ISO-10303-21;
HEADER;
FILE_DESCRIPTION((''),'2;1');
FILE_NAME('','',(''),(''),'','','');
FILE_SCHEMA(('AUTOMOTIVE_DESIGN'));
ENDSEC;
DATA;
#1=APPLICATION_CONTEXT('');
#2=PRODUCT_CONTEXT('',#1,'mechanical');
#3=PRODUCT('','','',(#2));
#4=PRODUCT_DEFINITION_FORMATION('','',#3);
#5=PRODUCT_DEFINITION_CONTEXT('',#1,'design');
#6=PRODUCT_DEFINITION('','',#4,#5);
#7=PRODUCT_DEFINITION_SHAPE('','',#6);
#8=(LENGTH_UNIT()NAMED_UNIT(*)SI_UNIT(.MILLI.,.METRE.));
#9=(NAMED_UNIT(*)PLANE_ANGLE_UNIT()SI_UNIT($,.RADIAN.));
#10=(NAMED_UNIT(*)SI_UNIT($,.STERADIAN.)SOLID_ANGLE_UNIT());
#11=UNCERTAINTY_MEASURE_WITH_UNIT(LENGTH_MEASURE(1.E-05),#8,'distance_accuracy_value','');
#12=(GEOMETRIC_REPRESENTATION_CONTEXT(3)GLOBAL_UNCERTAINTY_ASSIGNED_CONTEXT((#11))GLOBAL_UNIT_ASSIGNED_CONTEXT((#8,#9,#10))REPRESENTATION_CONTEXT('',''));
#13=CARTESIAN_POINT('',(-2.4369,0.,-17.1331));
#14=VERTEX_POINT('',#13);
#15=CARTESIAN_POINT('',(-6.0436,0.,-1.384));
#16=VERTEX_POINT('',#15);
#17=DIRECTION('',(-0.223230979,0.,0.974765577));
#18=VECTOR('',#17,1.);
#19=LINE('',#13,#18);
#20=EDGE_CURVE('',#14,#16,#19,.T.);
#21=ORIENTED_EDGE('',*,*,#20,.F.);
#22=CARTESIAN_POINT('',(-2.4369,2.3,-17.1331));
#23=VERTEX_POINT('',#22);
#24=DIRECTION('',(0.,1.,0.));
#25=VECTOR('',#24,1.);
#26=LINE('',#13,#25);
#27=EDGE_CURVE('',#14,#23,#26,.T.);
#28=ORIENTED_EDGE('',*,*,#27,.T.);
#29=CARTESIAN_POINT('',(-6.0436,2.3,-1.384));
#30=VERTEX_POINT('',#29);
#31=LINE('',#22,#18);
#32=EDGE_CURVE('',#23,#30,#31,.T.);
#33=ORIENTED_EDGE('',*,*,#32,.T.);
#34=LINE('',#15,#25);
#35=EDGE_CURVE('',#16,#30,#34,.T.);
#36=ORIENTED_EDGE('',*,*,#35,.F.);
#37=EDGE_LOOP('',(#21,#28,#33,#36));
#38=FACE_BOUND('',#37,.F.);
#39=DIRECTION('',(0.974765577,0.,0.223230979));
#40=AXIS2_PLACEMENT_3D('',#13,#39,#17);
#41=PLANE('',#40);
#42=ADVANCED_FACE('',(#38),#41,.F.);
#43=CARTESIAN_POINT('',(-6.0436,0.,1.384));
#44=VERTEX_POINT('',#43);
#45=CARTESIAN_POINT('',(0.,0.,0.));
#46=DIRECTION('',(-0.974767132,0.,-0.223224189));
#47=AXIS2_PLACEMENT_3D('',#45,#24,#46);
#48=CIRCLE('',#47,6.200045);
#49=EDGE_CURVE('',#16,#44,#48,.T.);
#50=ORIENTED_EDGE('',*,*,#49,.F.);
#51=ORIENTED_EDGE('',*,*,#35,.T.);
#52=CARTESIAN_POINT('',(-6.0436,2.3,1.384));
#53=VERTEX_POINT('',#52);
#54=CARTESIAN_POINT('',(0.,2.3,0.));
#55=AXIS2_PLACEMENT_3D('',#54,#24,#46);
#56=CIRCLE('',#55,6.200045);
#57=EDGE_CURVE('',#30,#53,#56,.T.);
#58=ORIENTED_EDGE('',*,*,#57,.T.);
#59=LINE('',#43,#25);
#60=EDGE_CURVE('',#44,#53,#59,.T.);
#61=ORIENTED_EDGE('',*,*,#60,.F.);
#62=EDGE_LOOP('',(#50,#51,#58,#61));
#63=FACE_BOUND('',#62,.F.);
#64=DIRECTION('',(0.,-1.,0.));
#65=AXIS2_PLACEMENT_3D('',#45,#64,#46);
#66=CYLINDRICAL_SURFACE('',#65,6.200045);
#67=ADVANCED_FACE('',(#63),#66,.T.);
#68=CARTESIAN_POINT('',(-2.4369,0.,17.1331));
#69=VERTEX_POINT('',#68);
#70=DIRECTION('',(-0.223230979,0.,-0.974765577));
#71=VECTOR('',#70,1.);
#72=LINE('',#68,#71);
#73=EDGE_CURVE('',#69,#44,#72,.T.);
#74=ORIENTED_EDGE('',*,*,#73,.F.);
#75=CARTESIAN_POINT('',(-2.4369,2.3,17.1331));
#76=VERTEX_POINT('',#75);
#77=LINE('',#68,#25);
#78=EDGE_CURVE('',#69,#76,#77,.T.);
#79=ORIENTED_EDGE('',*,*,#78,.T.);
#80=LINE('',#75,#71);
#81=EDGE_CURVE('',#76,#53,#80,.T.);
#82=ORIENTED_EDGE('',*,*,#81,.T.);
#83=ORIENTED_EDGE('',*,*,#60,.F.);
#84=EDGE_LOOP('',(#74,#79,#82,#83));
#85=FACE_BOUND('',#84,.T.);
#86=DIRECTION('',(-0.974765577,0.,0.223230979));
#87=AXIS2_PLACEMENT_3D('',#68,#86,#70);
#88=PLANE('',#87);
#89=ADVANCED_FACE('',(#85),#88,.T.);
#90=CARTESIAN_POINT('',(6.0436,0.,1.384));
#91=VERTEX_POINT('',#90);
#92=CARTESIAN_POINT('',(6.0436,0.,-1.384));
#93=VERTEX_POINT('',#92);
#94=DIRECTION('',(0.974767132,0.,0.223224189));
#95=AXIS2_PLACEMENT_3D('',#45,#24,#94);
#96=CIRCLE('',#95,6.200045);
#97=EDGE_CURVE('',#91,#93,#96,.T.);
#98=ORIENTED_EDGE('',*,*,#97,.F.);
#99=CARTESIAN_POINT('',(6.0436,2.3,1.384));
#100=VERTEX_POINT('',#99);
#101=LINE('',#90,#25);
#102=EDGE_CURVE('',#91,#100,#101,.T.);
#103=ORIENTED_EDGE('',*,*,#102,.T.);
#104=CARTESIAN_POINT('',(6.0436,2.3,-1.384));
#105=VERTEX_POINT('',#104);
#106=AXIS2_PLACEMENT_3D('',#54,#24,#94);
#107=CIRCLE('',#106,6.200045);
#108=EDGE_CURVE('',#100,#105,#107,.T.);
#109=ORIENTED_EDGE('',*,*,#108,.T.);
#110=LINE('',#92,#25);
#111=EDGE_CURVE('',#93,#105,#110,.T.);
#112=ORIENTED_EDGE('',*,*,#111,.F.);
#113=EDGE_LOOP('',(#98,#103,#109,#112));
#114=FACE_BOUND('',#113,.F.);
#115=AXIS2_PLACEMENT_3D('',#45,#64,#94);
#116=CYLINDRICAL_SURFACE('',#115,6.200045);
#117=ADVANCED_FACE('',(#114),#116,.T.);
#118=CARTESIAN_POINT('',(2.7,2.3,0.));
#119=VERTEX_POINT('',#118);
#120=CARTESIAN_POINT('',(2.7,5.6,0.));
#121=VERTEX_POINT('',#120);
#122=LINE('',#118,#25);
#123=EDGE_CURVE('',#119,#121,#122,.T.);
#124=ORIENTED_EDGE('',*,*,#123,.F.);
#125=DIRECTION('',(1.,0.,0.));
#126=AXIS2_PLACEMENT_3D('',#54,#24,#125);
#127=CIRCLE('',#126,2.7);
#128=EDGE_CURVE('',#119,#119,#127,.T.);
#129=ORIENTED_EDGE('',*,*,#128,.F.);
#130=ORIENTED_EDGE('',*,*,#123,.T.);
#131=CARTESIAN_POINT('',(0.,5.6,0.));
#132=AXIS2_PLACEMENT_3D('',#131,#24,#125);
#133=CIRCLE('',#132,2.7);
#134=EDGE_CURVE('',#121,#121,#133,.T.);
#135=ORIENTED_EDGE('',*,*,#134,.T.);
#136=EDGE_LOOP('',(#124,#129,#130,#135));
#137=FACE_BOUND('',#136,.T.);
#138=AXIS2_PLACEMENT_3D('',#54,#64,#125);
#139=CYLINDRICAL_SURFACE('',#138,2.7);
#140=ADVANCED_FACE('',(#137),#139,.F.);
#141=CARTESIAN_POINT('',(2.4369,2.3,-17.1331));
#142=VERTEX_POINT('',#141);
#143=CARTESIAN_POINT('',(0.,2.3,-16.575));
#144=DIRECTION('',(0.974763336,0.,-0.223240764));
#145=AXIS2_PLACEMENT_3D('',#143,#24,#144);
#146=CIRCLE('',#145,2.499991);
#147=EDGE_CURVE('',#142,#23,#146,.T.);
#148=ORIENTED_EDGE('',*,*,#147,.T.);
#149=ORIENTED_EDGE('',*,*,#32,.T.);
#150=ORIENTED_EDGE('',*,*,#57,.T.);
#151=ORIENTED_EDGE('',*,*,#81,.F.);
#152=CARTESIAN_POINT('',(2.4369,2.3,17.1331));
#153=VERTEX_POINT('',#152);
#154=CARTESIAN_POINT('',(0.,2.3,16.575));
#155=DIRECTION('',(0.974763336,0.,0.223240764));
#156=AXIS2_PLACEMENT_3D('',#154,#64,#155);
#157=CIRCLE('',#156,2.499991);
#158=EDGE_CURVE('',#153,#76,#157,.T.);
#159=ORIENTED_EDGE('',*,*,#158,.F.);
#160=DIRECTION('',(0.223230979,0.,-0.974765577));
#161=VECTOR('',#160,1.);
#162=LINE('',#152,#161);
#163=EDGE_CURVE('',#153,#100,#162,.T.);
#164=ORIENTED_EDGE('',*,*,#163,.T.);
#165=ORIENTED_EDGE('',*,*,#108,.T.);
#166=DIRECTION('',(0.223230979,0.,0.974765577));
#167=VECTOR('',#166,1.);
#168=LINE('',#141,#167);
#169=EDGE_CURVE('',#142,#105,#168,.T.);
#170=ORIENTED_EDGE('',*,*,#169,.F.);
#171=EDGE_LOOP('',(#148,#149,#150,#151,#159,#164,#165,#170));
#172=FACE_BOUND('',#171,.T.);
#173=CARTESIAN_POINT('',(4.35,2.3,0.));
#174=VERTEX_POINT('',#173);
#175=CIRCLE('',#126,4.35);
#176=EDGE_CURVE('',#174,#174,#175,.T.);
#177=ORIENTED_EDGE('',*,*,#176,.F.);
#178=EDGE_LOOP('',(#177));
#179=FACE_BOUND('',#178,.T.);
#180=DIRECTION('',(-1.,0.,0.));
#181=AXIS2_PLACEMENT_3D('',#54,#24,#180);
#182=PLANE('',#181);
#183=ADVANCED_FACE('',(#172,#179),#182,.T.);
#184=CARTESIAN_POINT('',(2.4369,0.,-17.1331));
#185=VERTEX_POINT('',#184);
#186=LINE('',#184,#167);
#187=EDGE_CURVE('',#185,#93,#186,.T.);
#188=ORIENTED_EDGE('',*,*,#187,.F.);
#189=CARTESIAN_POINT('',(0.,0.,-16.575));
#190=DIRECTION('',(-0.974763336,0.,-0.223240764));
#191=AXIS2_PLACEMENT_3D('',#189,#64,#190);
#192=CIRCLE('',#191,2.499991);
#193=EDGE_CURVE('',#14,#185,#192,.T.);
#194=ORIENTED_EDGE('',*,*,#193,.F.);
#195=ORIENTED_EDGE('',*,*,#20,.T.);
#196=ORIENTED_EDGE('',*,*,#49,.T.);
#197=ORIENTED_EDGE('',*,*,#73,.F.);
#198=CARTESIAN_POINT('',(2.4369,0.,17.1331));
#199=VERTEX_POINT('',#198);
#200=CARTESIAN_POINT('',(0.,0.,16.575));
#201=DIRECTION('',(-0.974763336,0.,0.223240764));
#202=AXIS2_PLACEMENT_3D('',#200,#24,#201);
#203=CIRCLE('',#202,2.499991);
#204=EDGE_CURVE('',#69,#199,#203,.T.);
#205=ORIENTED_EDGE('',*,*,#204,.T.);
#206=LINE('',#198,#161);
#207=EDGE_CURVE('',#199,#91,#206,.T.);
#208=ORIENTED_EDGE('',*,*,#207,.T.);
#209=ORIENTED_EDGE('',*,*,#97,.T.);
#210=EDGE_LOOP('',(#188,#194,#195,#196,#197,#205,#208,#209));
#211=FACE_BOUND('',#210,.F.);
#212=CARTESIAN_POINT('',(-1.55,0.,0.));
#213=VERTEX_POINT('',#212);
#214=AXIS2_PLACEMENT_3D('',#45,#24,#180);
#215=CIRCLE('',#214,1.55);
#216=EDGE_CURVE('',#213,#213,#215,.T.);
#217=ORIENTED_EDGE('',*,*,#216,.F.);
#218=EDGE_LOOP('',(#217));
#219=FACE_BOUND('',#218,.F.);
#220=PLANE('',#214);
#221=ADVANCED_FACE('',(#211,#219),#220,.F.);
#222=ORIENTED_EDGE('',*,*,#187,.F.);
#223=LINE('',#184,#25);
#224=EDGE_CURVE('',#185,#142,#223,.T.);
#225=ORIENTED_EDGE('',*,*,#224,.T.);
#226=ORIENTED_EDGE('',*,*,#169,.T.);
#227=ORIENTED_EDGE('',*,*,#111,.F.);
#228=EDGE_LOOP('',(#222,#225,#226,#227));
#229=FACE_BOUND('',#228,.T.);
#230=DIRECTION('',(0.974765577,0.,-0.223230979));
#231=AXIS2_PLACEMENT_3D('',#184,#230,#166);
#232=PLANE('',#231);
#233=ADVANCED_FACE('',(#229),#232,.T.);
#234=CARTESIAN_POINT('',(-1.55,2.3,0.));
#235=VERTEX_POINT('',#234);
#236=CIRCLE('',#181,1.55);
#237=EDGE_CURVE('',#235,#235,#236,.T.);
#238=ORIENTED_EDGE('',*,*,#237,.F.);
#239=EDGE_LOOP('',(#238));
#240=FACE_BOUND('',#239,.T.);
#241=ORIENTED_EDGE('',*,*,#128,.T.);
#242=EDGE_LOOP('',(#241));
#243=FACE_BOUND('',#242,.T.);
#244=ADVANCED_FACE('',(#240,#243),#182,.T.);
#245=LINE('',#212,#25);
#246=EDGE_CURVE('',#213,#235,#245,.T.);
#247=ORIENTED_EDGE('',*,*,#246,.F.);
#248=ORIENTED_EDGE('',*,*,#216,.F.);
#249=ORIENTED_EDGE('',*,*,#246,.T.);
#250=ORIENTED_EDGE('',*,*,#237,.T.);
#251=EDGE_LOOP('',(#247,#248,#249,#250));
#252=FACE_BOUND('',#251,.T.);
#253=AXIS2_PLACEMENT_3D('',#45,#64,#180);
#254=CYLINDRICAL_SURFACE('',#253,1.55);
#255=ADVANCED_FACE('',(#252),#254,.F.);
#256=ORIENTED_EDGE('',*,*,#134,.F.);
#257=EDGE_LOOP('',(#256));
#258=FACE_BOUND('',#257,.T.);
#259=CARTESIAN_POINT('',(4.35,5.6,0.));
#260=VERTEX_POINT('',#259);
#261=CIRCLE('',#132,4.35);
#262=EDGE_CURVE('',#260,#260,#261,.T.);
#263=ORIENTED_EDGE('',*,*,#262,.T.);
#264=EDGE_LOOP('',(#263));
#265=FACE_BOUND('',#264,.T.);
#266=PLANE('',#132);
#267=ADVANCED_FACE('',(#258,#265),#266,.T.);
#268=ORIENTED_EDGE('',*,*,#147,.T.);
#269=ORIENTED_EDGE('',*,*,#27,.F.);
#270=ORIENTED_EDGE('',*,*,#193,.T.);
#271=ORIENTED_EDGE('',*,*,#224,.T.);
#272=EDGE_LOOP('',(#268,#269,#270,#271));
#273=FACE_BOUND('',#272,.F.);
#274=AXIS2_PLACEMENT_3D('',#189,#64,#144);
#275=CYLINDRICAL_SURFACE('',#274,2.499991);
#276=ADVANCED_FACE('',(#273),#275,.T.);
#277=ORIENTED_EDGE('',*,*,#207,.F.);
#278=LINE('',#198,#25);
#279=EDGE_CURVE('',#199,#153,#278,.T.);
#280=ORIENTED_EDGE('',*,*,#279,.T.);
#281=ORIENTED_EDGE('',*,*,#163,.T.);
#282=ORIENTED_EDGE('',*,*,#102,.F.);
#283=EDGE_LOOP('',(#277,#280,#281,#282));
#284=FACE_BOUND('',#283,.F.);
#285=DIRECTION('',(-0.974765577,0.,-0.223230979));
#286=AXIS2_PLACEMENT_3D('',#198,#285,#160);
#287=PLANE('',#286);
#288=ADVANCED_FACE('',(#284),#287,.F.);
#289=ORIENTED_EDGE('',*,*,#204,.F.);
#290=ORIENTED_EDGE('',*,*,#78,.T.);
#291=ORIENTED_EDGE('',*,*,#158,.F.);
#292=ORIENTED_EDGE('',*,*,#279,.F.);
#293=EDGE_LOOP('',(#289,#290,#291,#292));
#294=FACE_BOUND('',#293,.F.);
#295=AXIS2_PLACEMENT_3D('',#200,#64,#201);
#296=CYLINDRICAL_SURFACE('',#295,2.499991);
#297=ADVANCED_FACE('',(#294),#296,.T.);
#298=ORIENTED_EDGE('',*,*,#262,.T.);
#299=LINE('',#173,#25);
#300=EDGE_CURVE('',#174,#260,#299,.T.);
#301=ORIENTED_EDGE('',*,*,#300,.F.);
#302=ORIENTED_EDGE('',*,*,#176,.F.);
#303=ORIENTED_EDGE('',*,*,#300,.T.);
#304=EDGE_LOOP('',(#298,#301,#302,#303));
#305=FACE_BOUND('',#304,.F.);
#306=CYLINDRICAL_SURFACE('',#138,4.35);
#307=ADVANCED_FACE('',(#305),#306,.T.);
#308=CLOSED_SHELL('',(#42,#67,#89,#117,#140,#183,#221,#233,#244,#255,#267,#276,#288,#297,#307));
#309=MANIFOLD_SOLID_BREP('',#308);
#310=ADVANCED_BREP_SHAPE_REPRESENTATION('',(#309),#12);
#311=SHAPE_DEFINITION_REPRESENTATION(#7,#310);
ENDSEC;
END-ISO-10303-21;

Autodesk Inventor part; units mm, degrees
ref_plane "YZ Plane" through (0, 0, 0) normal (1, 0, 0) x (0, 1, 0)
ref_plane "XZ Plane" through (0, 0, 0) normal (0, 1, 0) x (-1, 0, 0)
ref_plane "XY Plane" through (0, 0, 0) normal (0, 0, 1) x (1, 0, 0)
sketch "Boceto1" plane through (0, 0, 0) normal (0, 1, 0) x (-1, 0, 0)
  circle A0 centre (0, 0) radius 1.55
  line L0 (0, 0) -> (0, -1.55)
  line L1 (0, -19.075) -> (0, -14.075)
  line L2 (0, 19.075) -> (0, 16.575)
  arc A1 (2.4369, 17.1331) -> (-2.4369, 17.1331) centre (0, 16.575) ccw
  line L3 (0, -19.075) -> (0, -16.575)
  arc A2 (-2.4369, -17.1331) -> (2.4369, -17.1331) centre (0, -16.575) ccw
  line L4 (-2.4369, 17.1331) -> (-6.0436, 1.384)
  line L5 (2.4369, 17.1331) -> (6.0436, 1.384)
  line L6 (2.4369, -17.1331) -> (6.0436, -1.384)
  line L7 (-2.4369, -17.1331) -> (-6.0436, -1.384)
  arc A3 (-6.0436, 1.384) -> (-6.0436, -1.384) centre (0, 0) ccw
  arc A4 (6.0436, -1.384) -> (6.0436, 1.384) centre (0, 0) ccw
  dimension "d0" = 3.1
  dimension "d2" = 19.075
  dimension "d3" = 38.15
  dimension "d4" = 2.5
  dimension "d5" = 2.5
extrude "Extrusión1" add sketch "Boceto1" along normal blind 2.3
sketch "Boceto2" plane through (0, 2.3, 0) normal (0, 1, 0) x (1, 0, 0)
  circle A0 centre (0, 0) radius 1.55 projected
  circle A1 centre (0, 0) radius 4.35
  circle A2 centre (0, 0) radius 2.7
  dimension "d8" = 8.7
  dimension "d9" = 5.4
extrude "Extrusión2" add sketch "Boceto2" along normal blind 3.3 contours A1
sketch "Boceto3" plane through (0, 0, 0) normal (0, -1, 0) x (1, 0, 0)
  circle A0 centre (0, 0) radius 1.55 projected
  line L0 (0, -1.55) -> (0, 1.55)
properties part number "Brazo"
